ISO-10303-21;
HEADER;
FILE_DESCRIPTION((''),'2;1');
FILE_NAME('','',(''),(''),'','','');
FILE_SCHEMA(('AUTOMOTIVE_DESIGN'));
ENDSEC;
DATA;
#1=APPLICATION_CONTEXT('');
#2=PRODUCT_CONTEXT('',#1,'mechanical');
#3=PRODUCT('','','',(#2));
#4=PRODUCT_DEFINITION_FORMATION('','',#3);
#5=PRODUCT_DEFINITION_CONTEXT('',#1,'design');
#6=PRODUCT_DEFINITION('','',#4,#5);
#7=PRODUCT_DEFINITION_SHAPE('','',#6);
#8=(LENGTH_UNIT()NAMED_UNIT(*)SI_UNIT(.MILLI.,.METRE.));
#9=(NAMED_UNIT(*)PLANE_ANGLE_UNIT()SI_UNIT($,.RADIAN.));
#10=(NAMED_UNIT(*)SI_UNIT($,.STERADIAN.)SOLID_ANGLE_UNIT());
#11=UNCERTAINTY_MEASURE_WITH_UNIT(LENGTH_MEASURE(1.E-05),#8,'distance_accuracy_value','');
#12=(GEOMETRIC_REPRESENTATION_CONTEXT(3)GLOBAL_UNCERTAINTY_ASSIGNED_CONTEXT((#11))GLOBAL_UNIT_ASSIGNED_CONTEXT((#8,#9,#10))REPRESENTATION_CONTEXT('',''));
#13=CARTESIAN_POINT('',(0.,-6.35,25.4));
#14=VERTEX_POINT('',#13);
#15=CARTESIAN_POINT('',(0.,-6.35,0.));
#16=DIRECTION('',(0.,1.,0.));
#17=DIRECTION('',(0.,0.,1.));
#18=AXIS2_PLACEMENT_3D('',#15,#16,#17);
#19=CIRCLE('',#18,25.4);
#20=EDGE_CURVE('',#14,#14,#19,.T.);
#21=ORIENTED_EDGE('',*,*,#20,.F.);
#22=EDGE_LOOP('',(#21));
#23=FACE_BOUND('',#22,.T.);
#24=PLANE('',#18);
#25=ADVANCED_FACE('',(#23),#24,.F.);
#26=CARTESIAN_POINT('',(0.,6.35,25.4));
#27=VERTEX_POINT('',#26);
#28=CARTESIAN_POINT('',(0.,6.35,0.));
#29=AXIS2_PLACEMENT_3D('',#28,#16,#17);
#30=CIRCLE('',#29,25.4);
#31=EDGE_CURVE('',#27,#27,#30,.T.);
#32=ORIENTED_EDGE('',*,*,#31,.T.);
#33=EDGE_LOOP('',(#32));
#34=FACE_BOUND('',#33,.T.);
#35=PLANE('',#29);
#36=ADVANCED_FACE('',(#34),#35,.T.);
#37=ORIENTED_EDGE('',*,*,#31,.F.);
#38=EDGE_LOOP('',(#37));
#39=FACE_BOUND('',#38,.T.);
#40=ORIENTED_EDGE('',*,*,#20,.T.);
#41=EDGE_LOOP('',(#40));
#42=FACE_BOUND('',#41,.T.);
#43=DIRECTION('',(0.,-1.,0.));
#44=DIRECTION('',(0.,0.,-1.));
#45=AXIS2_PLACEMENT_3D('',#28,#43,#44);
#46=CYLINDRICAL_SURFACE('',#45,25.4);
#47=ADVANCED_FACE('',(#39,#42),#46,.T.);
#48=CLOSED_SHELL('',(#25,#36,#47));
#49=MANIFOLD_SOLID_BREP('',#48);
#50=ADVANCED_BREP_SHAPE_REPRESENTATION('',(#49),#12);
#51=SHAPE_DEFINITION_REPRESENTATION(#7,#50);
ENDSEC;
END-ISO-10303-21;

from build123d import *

# Parameters (mm, degrees)
SKETCH1_R           = 25.4
BOSS_EXTRUDE1_DEPTH = 6.35


with BuildPart() as part:
    # Sketch1 → Boss-Extrude1 (new body, symmetric)
    with BuildSketch(Plane(origin=(0, 0, 0), x_dir=(1, 0, 0), z_dir=(0, 1, 0))):
        Circle(SKETCH1_R)
    extrude(amount=BOSS_EXTRUDE1_DEPTH, both=True)


solid = part.part
